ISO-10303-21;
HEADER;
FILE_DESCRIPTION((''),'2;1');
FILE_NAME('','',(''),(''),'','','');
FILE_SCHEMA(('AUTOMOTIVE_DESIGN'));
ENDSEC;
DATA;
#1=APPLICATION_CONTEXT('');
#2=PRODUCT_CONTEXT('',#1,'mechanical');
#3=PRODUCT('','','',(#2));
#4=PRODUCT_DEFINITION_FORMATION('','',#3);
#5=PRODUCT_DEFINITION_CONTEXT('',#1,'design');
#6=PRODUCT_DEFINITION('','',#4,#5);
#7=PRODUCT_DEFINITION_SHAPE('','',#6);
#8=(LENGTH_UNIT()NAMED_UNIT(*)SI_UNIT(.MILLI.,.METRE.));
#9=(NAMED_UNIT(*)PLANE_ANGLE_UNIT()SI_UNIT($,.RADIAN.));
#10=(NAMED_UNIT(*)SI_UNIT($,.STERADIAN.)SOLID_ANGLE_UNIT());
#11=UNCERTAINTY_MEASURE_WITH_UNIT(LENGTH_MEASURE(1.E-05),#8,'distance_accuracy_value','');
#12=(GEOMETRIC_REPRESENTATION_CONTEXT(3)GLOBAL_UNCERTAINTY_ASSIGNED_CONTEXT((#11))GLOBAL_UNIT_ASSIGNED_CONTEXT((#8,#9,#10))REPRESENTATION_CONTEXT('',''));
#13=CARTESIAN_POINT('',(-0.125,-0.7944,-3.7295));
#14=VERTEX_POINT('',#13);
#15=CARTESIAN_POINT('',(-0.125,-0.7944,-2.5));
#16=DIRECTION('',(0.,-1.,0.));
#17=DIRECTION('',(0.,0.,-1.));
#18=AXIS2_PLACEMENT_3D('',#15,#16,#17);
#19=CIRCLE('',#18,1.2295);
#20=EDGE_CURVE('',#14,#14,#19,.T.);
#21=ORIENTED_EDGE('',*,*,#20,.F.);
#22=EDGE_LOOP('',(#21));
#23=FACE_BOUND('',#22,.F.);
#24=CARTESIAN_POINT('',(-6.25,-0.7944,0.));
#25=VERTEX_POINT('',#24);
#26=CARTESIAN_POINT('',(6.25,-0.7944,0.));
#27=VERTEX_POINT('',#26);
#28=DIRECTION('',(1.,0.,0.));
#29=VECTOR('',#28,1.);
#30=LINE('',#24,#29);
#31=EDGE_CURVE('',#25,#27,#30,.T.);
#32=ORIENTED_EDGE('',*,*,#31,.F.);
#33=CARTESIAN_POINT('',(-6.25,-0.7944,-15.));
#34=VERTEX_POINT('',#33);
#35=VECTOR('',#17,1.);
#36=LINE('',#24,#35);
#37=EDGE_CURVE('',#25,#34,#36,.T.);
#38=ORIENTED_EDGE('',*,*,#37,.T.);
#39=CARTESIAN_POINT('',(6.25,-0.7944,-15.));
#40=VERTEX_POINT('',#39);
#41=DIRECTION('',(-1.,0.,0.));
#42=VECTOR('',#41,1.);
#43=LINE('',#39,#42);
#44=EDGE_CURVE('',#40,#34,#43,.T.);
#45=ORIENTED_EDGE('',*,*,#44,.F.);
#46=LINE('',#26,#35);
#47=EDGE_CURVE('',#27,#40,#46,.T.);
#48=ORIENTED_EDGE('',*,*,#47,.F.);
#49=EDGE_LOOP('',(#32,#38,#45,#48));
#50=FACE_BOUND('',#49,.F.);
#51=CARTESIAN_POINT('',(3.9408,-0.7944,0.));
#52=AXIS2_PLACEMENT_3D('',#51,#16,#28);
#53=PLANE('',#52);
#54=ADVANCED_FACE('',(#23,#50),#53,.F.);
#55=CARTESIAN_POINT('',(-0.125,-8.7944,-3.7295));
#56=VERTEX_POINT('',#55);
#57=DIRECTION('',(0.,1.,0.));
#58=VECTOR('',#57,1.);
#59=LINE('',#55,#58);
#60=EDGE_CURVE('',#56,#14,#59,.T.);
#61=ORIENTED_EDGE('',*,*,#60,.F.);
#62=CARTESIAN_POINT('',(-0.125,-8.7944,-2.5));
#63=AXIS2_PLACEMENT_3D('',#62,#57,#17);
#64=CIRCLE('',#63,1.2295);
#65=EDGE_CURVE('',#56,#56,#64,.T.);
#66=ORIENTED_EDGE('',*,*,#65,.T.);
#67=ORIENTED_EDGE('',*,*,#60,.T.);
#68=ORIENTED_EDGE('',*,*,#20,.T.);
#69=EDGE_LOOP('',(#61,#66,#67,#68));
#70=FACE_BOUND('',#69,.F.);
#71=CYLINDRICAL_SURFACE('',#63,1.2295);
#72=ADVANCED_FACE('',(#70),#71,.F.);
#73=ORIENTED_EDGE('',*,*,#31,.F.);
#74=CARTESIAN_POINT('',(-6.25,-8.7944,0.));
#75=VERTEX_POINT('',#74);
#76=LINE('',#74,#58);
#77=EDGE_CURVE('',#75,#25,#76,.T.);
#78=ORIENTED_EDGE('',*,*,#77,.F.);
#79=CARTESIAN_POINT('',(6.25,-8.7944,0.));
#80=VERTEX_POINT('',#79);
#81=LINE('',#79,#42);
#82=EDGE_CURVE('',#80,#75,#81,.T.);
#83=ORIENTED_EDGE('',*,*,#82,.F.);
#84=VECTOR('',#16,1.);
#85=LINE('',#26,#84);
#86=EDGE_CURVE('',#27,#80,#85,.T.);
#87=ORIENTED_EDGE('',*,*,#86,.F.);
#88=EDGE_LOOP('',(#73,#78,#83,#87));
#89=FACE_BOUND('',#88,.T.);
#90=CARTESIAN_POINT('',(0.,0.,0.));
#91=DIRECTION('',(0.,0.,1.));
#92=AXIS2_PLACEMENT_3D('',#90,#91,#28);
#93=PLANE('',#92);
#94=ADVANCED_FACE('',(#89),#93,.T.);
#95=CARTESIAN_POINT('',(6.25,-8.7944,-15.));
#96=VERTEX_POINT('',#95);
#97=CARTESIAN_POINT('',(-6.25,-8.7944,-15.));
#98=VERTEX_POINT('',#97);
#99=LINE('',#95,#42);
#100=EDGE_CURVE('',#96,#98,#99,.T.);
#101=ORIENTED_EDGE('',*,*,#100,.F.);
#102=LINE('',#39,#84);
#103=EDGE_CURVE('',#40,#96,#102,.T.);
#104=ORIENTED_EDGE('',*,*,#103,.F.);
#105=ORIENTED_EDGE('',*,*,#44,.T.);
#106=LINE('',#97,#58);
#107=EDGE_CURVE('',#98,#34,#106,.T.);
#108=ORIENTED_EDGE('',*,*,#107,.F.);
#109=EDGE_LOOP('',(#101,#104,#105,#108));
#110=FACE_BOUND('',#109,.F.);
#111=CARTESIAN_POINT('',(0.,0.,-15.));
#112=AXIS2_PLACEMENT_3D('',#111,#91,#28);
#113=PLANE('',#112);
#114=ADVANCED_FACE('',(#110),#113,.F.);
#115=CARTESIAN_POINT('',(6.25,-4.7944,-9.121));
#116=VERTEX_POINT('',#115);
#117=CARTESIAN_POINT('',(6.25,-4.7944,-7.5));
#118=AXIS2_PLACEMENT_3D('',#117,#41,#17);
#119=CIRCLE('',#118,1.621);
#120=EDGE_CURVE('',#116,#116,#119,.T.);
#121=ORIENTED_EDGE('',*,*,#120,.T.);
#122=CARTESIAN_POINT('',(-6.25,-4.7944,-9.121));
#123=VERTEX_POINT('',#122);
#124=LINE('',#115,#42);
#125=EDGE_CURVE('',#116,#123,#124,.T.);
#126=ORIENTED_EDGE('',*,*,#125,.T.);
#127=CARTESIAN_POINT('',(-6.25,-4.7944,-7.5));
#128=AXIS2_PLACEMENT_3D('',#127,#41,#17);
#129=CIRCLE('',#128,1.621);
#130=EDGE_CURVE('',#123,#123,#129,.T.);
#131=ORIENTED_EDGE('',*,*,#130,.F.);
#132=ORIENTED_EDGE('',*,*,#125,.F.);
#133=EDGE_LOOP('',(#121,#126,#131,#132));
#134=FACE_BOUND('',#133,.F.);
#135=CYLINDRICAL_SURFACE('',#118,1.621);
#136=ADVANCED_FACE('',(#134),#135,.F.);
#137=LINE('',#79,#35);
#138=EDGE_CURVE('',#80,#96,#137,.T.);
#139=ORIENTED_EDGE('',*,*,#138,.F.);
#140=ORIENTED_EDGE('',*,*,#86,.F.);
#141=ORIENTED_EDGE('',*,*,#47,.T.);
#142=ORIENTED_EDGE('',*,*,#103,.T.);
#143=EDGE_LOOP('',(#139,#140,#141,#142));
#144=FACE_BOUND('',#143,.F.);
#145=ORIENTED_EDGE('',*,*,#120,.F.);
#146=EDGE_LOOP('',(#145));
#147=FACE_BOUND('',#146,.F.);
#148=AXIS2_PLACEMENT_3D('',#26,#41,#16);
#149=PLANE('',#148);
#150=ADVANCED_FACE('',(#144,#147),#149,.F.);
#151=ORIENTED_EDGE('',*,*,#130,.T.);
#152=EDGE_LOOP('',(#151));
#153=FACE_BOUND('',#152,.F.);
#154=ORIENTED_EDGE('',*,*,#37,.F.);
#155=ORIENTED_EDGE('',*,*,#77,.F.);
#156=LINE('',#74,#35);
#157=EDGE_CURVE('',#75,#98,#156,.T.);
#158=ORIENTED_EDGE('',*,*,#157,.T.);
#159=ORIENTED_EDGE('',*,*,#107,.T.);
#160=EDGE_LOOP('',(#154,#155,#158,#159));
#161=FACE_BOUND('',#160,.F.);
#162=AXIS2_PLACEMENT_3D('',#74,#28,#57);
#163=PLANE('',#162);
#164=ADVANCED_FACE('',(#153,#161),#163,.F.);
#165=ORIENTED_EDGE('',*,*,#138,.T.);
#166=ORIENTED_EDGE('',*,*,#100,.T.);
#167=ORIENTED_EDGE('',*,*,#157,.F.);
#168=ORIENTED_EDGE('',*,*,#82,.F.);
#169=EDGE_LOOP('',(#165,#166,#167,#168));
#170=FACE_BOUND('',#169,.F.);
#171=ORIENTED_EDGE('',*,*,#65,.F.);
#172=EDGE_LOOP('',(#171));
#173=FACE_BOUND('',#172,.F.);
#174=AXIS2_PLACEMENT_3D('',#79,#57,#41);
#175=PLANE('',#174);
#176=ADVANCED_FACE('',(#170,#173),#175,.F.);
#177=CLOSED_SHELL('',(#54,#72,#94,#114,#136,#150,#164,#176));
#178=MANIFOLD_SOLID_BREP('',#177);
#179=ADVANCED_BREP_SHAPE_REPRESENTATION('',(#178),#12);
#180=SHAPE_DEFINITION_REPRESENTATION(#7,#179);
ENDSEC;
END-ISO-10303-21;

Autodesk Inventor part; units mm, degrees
ref_plane "YZ Plane" through (0, 0, 0) normal (1, 0, 0) x (0, 1, 0)
ref_plane "XZ Plane" through (0, 0, 0) normal (0, 1, 0) x (-1, 0, 0)
ref_plane "XY Plane" through (0, 0, 0) normal (0, 0, 1) x (1, 0, 0)
sketch "Sketch1" plane through (0, 0, 0) normal (0, 0, 1) x (1, 0, 0)
  line L0 (3.9408, -0.7944) -> (3.5592, -0.7944)
  line L1 (1.4408, -0.7944) -> (1.0592, -0.7944)
  line L2 (-1.0592, -0.7944) -> (-1.4408, -0.7944)
  line L3 (-3.5592, -0.7944) -> (-3.9408, -0.7944)
  line L4 (-6.0592, -0.7944) -> (-6.25, -0.7944)
  line L5 (6.25, -0.7944) -> (6.0592, -0.7944)
  line L6 (6.25, -0.7944) -> (6.25, -8.7944)
  line L7 (6.25, -8.7944) -> (-6.25, -8.7944)
  line L8 (-6.25, -8.7944) -> (-6.25, -0.7944)
  line L9 (-6.25, -0.7944) -> (-6.0592, -0.7944)
  line L10 (-3.9408, -0.7944) -> (-3.5592, -0.7944)
  line L11 (-1.4408, -0.7944) -> (-1.0592, -0.7944)
  line L12 (1.0592, -0.7944) -> (1.4408, -0.7944)
  line L13 (3.5592, -0.7944) -> (3.9408, -0.7944)
  line L14 (6.0592, -0.7944) -> (6.25, -0.7944)
  line L15 (-6.25, -0.7944) -> (6.25, -0.7944)
  point P0 (0, 0)
  dimension "height" = 8
extrude "Extrusion1" add sketch "Sketch1" against normal blind 15
hole "Hole1" at (-0.125, -8.7944, -2.5) direction (0, 1, 0) diameter 2.459 end through all thread size "M3x0.5" class "6H" standard "ANSI Metric M Profile"
hole "Hole2" at (6.25, -4.7944, -7.5) direction (-1, 0, 0) diameter 3.242 end through all thread size "M4x0.7" class "6H" standard "ANSI Metric M Profile"
equation "\"d12\" = 0.5 * width"
equation "\"d13\" = 0.5 * height"
equation "\"width\" = 15"
properties part number "T2.5 belt holder" material "Aluminum 6061"
